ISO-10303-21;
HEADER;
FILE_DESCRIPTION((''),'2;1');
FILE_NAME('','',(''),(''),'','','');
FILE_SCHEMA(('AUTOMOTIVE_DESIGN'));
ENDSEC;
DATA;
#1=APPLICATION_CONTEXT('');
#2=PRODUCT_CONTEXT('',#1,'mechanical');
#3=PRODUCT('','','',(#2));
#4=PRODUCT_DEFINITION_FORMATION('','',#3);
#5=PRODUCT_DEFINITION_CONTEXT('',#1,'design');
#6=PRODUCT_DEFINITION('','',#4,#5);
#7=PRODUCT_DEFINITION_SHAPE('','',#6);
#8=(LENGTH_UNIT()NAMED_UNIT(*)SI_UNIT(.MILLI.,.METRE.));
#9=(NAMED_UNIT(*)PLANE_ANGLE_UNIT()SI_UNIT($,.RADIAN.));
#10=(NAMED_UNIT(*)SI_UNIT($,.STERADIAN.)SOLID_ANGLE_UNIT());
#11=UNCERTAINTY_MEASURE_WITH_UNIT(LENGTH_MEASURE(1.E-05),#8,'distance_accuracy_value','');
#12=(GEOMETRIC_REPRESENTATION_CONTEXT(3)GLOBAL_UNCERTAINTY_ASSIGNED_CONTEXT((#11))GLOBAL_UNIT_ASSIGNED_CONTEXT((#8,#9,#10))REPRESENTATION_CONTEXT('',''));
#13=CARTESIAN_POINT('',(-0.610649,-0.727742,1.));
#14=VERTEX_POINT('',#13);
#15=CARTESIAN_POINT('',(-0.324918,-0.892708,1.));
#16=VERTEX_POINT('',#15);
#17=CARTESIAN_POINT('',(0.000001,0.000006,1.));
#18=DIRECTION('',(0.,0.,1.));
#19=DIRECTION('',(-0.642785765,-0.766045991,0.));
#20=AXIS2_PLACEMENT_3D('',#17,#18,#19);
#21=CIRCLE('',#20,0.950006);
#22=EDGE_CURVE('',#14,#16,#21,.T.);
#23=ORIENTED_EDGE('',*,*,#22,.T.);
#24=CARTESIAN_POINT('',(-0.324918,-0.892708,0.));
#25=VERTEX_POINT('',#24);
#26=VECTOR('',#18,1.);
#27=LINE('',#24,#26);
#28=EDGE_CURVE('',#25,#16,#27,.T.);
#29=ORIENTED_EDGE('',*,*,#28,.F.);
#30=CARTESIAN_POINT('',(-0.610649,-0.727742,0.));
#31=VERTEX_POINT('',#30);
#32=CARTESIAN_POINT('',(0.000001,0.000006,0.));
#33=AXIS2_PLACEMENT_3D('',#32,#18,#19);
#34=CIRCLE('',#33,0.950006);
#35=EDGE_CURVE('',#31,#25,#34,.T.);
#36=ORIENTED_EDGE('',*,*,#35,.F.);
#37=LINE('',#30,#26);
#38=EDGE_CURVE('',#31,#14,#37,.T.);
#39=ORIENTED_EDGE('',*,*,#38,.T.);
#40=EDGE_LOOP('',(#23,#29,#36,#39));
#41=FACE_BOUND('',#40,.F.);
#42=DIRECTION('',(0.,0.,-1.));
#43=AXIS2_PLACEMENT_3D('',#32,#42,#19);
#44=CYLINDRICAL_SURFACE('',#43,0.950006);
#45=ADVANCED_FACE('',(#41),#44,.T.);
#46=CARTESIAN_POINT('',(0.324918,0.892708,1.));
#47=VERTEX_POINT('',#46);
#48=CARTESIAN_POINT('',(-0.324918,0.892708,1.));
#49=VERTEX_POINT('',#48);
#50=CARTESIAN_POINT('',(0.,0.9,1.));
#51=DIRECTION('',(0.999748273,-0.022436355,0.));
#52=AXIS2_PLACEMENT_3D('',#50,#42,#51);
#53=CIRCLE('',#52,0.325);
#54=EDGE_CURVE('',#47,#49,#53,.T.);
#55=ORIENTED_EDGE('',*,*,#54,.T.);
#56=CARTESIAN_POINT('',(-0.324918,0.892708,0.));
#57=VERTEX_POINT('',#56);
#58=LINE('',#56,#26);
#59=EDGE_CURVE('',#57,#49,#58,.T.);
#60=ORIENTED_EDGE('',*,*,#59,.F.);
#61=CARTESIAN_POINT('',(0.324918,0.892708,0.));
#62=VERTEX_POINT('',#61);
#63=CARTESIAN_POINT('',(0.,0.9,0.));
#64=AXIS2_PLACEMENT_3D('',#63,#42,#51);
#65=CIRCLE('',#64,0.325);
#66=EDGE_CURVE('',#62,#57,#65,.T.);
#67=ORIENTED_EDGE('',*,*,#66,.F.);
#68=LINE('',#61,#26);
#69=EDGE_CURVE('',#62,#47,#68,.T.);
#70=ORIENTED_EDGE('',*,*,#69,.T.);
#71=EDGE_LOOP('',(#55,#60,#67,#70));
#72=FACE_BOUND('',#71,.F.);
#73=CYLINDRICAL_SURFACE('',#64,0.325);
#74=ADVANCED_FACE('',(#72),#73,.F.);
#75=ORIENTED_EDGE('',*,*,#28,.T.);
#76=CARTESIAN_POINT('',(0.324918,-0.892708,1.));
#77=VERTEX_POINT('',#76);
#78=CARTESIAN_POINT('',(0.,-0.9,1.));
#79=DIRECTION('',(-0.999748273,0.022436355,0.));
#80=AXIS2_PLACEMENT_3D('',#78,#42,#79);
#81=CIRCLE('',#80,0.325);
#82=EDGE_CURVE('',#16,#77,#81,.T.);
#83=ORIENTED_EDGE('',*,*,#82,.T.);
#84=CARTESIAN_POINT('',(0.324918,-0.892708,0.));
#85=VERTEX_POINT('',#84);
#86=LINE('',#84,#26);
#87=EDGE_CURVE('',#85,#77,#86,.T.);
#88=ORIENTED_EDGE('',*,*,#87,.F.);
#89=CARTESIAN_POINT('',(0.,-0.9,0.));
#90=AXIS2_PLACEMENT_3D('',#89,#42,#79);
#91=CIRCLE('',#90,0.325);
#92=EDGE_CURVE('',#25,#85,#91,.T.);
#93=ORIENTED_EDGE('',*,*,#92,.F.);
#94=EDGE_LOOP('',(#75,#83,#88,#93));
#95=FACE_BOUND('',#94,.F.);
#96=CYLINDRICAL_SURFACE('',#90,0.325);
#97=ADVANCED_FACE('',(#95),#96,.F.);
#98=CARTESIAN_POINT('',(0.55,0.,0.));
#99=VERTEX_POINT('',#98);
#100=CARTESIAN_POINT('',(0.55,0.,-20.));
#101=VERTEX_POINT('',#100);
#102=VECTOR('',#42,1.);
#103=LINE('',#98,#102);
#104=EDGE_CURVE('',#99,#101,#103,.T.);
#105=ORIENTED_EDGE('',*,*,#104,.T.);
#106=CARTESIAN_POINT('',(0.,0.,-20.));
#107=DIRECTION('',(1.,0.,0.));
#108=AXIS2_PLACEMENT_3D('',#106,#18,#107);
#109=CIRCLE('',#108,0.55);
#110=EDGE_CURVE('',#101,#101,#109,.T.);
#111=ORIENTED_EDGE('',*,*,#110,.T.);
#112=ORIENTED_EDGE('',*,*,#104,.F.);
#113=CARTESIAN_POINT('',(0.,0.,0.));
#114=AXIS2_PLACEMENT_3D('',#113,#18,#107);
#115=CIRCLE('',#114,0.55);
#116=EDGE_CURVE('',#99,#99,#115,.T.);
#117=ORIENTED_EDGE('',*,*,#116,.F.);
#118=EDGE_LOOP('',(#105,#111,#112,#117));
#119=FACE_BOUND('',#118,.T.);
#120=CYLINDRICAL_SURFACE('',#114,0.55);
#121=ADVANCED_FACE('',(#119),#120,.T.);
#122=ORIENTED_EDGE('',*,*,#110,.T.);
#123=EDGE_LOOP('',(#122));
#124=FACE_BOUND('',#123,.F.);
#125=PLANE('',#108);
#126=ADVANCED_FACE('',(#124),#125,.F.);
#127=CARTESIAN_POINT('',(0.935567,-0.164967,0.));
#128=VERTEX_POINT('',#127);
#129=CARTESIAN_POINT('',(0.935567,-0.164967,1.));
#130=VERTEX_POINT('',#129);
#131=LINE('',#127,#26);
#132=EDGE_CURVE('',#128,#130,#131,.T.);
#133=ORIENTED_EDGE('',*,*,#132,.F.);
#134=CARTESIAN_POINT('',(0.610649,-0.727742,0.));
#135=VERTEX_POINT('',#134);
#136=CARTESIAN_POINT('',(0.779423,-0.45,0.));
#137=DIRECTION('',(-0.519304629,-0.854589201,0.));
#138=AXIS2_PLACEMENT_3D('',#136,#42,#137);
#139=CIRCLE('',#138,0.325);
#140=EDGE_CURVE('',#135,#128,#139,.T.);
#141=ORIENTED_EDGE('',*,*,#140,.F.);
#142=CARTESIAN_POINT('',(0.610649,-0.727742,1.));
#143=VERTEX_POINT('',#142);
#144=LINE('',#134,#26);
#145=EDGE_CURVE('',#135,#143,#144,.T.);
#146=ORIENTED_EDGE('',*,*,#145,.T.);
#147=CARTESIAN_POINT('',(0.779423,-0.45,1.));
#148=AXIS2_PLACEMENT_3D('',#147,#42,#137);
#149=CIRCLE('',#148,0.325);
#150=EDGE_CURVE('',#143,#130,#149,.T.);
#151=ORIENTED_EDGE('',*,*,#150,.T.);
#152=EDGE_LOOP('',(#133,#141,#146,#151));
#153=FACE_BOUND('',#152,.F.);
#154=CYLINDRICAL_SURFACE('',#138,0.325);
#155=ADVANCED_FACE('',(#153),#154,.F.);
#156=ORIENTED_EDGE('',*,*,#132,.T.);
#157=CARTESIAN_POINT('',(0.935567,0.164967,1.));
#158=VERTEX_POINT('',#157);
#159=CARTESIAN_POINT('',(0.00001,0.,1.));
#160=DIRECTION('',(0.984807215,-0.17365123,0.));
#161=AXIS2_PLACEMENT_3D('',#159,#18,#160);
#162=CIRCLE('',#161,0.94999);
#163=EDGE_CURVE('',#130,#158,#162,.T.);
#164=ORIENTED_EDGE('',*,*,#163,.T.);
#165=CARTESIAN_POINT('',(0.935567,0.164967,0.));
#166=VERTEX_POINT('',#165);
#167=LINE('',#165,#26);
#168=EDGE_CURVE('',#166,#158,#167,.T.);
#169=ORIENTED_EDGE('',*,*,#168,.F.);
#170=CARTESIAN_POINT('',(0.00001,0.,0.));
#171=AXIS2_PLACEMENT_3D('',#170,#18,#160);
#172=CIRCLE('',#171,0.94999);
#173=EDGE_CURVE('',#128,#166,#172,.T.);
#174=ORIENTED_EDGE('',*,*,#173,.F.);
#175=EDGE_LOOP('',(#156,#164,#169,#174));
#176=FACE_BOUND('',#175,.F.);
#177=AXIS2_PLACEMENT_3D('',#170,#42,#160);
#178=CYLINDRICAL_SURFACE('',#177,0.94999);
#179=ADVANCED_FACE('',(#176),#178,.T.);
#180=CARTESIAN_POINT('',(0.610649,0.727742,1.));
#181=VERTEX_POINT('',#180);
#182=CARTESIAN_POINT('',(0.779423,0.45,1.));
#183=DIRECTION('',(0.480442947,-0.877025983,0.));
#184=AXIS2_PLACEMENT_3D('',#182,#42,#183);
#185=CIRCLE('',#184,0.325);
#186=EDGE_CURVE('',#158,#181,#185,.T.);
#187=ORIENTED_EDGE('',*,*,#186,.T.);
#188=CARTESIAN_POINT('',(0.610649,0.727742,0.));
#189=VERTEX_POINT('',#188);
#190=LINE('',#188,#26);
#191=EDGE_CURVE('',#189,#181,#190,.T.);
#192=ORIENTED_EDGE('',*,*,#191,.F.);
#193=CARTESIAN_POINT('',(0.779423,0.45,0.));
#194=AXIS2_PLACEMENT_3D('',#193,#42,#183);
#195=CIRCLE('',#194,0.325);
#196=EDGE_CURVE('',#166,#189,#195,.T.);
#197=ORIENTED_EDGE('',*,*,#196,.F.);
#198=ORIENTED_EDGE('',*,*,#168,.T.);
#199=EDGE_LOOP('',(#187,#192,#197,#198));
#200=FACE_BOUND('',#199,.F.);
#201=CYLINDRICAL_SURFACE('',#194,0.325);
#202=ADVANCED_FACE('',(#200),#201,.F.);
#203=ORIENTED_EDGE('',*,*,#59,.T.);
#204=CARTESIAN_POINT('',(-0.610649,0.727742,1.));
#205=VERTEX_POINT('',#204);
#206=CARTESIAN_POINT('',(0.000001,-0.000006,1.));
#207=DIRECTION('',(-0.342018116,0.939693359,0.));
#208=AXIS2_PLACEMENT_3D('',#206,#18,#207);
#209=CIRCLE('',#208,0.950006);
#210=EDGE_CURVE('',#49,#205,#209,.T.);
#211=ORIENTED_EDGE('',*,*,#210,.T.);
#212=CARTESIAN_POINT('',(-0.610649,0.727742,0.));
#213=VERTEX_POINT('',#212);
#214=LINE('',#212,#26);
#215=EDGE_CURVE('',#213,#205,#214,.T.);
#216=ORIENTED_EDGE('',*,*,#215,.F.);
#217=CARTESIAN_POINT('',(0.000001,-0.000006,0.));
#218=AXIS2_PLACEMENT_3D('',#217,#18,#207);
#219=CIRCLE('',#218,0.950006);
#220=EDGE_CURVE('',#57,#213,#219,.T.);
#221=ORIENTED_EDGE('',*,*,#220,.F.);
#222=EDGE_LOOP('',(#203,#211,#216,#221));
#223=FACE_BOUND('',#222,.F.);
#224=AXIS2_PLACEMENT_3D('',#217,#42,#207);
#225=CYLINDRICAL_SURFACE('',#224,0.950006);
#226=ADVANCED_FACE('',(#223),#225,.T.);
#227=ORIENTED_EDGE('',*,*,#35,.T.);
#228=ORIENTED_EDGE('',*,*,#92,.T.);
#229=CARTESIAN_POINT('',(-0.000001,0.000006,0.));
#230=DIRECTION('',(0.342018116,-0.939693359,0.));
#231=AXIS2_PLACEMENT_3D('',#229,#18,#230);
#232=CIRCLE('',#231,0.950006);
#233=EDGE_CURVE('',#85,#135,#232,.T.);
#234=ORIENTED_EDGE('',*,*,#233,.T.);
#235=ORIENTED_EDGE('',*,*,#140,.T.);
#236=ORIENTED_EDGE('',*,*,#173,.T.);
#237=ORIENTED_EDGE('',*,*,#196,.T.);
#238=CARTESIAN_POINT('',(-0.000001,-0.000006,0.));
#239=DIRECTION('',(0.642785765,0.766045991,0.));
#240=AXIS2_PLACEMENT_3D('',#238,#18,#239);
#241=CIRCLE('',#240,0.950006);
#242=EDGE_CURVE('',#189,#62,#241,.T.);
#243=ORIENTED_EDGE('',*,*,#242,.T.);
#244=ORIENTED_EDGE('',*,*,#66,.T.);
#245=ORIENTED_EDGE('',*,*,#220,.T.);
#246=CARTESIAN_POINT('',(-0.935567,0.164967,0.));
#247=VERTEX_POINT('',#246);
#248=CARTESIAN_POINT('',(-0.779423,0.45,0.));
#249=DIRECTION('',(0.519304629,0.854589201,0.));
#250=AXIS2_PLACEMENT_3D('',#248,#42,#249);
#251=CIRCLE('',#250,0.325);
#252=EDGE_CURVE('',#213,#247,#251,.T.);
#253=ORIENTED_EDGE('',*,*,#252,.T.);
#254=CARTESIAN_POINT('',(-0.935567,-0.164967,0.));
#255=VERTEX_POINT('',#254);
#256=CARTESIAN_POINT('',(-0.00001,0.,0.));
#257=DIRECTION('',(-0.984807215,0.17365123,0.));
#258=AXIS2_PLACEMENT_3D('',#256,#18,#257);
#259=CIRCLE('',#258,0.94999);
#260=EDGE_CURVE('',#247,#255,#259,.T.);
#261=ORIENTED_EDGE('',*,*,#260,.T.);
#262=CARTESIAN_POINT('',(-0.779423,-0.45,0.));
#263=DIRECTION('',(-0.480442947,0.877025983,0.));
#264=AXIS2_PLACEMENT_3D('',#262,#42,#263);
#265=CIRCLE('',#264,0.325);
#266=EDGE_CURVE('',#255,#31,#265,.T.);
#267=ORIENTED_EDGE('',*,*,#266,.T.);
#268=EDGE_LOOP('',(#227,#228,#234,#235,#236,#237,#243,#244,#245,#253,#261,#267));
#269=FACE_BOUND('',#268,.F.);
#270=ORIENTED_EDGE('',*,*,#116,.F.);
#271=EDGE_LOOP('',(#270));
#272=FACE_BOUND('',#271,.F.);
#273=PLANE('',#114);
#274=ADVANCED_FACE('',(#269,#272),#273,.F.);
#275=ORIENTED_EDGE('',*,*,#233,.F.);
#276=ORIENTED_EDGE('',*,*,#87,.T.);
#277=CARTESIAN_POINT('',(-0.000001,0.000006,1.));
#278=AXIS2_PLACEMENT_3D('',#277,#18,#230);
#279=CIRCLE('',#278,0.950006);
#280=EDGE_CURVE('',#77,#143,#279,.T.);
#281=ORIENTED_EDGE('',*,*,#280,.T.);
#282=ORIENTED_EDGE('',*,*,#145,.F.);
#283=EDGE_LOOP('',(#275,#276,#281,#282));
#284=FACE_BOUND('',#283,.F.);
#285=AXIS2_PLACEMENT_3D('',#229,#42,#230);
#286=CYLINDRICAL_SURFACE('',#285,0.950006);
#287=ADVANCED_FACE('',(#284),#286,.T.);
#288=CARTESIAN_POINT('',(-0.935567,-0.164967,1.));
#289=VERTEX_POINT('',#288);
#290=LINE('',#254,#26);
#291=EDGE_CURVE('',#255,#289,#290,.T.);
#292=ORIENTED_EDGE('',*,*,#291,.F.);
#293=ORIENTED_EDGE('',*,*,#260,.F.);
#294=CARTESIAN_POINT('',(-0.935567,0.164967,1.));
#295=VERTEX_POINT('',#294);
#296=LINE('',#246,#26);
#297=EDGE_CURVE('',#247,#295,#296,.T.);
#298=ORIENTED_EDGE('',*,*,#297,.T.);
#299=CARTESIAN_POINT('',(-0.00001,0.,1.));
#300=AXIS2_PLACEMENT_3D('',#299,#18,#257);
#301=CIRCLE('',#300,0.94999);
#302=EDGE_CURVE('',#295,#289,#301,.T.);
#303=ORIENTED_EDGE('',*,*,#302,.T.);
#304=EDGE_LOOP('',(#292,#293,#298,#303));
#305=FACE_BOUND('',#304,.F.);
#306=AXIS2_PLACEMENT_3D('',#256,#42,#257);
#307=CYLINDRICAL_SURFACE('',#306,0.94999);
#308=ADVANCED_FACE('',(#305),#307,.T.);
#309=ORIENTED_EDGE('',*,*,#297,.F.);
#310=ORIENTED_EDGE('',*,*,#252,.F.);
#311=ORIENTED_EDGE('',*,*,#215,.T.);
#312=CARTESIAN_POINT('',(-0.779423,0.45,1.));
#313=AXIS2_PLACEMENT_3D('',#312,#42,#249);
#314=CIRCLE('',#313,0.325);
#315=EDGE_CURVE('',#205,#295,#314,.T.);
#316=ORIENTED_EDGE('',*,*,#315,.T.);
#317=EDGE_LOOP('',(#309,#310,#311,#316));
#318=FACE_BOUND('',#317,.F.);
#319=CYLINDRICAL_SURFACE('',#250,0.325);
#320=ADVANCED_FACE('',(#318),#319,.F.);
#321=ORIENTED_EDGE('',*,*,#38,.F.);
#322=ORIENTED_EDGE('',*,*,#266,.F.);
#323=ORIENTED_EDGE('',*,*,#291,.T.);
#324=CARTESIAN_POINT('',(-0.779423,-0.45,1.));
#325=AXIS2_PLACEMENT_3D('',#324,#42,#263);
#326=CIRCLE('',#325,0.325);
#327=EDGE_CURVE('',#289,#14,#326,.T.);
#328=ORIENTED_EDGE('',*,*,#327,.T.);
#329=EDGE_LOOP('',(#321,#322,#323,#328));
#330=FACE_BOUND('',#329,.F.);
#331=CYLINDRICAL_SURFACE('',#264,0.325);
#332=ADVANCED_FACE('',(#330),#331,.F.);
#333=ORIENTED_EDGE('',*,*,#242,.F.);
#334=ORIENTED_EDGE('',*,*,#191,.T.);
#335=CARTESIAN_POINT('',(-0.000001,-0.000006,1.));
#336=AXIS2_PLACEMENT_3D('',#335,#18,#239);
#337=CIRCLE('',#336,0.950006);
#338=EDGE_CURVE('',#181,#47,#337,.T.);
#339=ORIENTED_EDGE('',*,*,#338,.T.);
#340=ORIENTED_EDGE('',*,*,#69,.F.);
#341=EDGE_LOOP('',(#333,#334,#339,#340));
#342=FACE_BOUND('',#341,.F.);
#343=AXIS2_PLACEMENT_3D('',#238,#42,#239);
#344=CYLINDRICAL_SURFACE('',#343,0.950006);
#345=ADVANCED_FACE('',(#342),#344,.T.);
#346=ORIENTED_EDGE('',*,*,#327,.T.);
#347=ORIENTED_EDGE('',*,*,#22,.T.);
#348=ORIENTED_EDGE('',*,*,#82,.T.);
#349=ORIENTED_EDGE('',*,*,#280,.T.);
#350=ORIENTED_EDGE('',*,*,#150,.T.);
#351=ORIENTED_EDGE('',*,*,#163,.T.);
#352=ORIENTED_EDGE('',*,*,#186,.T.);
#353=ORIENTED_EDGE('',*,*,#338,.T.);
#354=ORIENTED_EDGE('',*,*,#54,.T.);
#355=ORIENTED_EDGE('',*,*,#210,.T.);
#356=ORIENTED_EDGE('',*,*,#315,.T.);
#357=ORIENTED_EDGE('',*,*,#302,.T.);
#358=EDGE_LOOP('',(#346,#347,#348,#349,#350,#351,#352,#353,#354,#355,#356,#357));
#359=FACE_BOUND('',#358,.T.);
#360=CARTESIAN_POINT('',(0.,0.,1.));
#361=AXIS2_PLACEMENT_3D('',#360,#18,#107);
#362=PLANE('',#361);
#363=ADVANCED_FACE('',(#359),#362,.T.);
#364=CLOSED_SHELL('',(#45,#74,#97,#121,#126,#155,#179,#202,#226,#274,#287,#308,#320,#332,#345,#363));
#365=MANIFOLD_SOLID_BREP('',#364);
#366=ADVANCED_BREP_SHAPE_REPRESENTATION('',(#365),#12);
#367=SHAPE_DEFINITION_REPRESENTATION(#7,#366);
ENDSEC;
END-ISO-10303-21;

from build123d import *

# Parameters (mm, degrees)
F1_DEPTH = 1
F2_R     = 0.55
F3_DEPTH = 20


with BuildPart() as f1:
    # F0 (on Top) → F1 (new body)
    with BuildSketch(Plane.XY):
        with BuildLine():
            ThreePointArc((0.324918, 0.892708), (0, 0.575), (-0.324918, 0.892708))
            ThreePointArc((-0.324918, 0.892708), (-0.475, 0.822724), (-0.610649, 0.727742))
            ThreePointArc((-0.610649, 0.727742), (-0.497965, 0.2875), (-0.935567, 0.164967))
            ThreePointArc((-0.935567, 0.164967), (-0.95, 0), (-0.935567, -0.164967))
            ThreePointArc((-0.935567, -0.164967), (-0.497965, -0.2875), (-0.610649, -0.727742))
            ThreePointArc((-0.610649, -0.727742), (-0.475, -0.822724), (-0.324918, -0.892708))
            ThreePointArc((-0.324918, -0.892708), (0, -0.575), (0.324918, -0.892708))
            ThreePointArc((0.324918, -0.892708), (0.475, -0.822724), (0.610649, -0.727742))
            ThreePointArc((0.610649, -0.727742), (0.497965, -0.2875), (0.935567, -0.164967))
            ThreePointArc((0.935567, -0.164967), (0.95, 0), (0.935567, 0.164967))
            ThreePointArc((0.935567, 0.164967), (0.497965, 0.2875), (0.610649, 0.727742))
            ThreePointArc((0.610649, 0.727742), (0.475, 0.822724), (0.324918, 0.892708))
        make_face()
    extrude(amount=F1_DEPTH)

    # F2 (on Top) → F3 (join)
    with BuildSketch(Plane.XY):
        Circle(F2_R)
    extrude(amount=-F3_DEPTH)


solid = f1.part
